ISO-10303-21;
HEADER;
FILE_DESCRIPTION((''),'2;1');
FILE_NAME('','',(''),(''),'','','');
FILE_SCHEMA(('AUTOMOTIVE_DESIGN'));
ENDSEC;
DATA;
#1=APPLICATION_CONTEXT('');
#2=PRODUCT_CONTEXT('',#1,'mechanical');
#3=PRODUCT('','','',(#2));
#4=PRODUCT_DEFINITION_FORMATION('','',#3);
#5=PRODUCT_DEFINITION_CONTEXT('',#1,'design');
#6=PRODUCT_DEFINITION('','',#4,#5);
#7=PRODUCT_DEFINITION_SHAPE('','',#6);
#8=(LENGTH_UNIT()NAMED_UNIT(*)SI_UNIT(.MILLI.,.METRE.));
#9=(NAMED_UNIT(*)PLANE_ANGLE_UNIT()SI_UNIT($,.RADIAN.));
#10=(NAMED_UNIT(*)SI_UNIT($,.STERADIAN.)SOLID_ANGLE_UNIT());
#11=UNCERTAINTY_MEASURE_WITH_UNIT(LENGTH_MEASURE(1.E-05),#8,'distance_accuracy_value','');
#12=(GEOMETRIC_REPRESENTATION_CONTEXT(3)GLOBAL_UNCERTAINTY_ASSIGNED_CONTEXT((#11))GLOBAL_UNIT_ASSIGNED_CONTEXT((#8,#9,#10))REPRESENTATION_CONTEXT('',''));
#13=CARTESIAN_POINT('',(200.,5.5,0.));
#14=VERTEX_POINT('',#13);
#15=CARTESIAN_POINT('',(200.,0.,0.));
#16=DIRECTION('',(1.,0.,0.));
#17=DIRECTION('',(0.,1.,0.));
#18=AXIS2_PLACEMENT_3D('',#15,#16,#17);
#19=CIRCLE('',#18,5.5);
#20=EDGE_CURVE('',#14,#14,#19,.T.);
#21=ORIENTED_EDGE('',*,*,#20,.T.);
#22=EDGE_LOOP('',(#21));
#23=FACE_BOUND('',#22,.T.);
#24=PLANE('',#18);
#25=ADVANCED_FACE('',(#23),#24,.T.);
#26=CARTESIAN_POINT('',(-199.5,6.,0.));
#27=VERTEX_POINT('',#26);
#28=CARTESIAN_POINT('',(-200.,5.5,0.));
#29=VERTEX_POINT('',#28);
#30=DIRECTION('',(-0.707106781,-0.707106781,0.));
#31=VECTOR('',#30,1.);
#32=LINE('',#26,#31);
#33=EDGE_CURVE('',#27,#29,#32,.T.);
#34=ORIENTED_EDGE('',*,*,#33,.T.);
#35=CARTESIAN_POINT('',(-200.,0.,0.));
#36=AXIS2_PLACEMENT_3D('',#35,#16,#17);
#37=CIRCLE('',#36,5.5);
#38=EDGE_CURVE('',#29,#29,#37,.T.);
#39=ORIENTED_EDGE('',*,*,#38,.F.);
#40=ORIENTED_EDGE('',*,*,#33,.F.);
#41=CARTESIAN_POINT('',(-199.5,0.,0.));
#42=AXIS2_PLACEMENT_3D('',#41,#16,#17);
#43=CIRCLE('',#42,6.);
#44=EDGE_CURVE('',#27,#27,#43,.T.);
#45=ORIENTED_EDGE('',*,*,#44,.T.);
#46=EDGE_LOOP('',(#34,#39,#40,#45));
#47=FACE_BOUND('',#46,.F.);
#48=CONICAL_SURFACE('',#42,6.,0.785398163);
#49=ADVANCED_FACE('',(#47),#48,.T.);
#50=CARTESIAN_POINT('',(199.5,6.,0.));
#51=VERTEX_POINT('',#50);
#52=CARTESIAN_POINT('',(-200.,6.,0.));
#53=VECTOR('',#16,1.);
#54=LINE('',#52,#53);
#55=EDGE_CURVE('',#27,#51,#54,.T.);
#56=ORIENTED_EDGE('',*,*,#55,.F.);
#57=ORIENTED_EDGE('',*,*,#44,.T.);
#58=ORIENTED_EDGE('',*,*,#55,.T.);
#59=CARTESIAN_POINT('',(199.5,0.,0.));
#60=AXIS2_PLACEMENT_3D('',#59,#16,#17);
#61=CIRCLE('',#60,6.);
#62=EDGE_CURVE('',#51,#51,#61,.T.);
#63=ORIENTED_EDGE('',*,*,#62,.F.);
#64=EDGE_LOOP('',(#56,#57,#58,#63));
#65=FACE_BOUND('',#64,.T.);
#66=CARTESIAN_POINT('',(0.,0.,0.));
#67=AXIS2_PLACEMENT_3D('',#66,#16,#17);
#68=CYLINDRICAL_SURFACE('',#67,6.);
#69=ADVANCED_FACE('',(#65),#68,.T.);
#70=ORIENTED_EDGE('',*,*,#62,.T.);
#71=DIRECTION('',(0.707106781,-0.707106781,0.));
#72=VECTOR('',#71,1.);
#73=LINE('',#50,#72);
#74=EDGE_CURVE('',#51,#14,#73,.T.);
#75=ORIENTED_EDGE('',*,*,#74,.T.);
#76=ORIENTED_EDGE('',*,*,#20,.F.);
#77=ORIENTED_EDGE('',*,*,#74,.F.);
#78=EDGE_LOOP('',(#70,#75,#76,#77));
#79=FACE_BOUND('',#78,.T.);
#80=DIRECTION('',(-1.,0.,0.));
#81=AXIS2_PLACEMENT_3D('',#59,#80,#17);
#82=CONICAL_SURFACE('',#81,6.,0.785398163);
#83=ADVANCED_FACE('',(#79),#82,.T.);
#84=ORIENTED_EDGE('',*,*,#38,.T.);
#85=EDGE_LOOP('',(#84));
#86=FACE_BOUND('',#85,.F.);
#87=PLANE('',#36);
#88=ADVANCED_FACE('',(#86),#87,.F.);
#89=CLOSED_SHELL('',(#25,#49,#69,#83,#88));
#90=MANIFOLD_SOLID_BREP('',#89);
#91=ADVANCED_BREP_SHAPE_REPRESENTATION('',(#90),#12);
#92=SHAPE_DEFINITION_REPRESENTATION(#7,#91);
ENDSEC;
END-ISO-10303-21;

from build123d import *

# Parameters (mm, degrees)
SKETCH_R     = 6
PAD_DEPTH    = 200
CHAMFER_SIZE = 0.5


with BuildPart() as part:
    # Sketch → Pad (new body, symmetric)
    with BuildSketch(Plane.YZ):
        Circle(SKETCH_R)
    extrude(amount=PAD_DEPTH, both=True)

    # Chamfer
    chamfer_edges = [part.edges().sort_by_distance(p)[0] for p in [
        (200, -6, 0),
        (-200, -6, 0),
    ]]
    chamfer(chamfer_edges, length=CHAMFER_SIZE)


solid = part.part
